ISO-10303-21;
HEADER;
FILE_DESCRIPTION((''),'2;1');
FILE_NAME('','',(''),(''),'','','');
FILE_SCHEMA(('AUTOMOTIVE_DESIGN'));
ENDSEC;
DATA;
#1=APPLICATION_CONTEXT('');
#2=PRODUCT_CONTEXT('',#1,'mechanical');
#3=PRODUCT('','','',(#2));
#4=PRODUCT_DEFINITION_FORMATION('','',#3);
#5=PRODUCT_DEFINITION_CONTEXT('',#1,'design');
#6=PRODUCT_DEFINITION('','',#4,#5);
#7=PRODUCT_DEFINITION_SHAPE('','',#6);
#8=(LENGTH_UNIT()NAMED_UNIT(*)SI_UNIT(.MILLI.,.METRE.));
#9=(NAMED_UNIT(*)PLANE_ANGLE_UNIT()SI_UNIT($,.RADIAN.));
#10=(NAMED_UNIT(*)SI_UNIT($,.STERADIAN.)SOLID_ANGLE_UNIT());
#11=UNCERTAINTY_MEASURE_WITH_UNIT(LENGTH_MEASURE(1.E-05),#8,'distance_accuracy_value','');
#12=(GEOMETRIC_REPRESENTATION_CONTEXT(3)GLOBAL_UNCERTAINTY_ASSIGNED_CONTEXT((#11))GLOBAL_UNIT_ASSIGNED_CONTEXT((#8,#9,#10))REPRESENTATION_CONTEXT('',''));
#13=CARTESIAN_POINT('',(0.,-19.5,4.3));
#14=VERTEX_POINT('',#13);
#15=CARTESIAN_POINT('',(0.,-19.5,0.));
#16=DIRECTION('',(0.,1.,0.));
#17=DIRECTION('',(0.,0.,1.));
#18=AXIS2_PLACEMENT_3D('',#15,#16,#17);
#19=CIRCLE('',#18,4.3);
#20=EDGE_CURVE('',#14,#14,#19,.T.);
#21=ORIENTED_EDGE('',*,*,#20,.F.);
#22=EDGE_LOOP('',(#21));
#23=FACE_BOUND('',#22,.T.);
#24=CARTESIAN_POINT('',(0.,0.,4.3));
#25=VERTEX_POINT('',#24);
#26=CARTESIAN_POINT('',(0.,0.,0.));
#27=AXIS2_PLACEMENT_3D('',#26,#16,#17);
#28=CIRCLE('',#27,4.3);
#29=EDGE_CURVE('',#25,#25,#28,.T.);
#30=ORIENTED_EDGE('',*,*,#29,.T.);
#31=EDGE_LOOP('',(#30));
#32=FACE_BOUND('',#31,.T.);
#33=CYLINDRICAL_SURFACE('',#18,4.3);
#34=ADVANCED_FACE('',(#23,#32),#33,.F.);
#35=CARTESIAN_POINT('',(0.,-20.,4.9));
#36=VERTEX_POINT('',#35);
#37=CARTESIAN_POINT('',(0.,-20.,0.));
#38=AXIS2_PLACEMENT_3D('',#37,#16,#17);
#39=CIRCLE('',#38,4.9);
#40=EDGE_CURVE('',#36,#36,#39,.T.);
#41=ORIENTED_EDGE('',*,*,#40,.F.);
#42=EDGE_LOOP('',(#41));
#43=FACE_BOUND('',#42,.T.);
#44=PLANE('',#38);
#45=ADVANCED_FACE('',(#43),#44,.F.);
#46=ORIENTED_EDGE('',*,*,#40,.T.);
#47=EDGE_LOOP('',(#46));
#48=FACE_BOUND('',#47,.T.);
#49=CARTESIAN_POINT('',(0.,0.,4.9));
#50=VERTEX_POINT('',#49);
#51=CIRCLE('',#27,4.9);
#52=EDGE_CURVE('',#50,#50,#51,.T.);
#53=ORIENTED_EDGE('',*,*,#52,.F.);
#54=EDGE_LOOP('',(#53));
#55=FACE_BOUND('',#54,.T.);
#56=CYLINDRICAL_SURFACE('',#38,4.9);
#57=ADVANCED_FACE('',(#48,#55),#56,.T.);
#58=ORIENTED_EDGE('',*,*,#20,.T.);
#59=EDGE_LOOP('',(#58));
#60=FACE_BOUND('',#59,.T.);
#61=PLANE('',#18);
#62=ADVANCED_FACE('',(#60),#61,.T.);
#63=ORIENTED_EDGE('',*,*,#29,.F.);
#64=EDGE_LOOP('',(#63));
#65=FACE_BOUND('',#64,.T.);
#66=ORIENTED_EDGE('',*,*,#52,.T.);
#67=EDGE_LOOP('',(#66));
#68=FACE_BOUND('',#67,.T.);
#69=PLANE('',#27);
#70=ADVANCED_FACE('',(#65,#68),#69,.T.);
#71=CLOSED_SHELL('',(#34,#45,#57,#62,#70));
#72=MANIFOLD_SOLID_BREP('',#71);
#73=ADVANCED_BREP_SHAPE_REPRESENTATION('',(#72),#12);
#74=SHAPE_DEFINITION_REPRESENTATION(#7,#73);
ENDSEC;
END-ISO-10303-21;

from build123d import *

# Parameters (mm, degrees)
SKETCH1_R           = 4.9
BOSS_EXTRUDE1_DEPTH = 20
SKETCH2_R           = 4.3
CUT_EXTRUDE1_DEPTH  = 19.5


with BuildPart() as part:
    # Sketch1 → Boss-Extrude1 (new body)
    with BuildSketch(Plane(origin=(0, 0, 0), x_dir=(1, 0, 0), z_dir=(0, 1, 0))):
        Circle(SKETCH1_R)
    extrude(amount=-BOSS_EXTRUDE1_DEPTH)

    # Sketch2 → Cut-Extrude1 (cut)
    with BuildSketch(Plane(origin=(0, 0, 0), x_dir=(1, 0, 0), z_dir=(0, 1, 0))):
        Circle(SKETCH2_R)
    extrude(amount=-CUT_EXTRUDE1_DEPTH, mode=Mode.SUBTRACT)


solid = part.part
